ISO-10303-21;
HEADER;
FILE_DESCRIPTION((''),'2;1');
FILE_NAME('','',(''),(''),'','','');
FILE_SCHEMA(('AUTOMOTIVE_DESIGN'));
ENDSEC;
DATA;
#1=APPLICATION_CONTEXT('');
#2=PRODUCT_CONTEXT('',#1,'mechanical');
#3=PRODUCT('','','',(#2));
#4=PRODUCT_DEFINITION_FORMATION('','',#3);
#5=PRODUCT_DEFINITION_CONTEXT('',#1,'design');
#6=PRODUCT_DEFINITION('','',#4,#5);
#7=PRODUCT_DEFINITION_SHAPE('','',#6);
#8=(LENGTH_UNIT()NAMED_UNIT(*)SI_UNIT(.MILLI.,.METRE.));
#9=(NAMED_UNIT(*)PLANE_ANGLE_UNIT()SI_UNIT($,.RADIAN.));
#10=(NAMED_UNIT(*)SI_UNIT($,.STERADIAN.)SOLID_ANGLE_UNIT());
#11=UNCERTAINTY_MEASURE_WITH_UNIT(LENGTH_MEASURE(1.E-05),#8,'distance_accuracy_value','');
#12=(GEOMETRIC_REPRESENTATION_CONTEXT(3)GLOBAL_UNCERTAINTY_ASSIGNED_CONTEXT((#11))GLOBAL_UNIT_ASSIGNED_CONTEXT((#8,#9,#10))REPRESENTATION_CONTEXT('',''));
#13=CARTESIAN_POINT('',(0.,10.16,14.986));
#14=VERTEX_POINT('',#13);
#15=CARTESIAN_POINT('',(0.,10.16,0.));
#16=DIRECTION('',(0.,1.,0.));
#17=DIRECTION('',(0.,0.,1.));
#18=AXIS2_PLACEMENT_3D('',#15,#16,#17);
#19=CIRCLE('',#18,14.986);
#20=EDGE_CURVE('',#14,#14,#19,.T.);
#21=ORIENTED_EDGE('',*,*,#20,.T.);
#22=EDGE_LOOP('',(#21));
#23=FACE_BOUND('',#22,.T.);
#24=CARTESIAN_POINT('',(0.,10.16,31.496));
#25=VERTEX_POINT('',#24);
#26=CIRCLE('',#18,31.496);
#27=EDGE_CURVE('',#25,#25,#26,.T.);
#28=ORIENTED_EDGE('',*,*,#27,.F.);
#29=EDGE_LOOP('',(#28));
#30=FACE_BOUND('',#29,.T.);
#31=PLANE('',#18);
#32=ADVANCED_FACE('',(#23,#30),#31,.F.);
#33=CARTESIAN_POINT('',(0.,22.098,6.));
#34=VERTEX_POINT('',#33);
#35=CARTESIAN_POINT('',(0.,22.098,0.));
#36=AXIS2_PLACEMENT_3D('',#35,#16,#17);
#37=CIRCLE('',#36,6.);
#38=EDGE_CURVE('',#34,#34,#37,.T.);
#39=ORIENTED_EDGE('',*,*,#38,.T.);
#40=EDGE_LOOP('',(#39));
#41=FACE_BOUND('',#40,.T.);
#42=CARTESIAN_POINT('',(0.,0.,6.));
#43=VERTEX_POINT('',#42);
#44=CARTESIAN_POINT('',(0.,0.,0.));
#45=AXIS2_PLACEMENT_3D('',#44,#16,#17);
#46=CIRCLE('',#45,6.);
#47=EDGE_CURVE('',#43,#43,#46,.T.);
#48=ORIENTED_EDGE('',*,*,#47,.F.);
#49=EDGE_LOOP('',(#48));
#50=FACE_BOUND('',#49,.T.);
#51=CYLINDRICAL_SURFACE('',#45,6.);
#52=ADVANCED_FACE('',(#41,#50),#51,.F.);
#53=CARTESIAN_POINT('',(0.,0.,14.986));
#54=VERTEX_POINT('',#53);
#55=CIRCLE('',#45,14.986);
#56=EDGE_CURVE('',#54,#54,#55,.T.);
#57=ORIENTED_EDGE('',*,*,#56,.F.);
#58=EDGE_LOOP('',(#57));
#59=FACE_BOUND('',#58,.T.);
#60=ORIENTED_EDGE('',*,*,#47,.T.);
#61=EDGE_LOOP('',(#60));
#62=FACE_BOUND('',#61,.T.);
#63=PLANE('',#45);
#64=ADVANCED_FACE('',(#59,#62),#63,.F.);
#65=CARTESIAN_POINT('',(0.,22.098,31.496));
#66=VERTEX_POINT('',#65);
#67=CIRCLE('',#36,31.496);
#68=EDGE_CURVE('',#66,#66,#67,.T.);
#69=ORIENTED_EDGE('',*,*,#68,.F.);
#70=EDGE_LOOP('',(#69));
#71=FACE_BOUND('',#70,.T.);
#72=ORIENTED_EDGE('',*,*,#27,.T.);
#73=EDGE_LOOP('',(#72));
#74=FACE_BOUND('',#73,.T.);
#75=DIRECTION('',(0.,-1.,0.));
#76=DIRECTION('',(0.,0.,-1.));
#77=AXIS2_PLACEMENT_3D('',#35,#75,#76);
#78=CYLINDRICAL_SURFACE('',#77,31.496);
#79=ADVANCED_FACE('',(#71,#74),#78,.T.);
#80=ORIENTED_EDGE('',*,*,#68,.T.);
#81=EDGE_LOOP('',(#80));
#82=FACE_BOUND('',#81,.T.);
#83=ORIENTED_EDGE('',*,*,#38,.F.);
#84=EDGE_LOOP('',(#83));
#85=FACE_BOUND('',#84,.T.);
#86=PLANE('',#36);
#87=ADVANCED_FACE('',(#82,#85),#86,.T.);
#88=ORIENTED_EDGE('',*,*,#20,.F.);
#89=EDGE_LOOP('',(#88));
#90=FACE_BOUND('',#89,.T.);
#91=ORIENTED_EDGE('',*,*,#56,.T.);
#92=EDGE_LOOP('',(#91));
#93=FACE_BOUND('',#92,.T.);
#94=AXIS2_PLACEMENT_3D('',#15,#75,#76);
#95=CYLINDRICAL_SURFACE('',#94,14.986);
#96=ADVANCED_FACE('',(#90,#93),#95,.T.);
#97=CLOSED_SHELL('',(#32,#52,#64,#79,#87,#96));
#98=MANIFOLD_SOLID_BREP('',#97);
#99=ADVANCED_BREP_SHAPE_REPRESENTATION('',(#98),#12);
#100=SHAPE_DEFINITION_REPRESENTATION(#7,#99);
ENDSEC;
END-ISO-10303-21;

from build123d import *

# Parameters (mm, degrees)
SKETCH1_R          = 14.986
BASE_DEPTH         = 10.16
SKETCH2_R          = 31.496
GEAR_DEPTH         = 11.938
SKETCH3_R          = 6
CUT_EXTRUDE1_DEPTH = 50.722405774


with BuildPart() as part:
    # Sketch1 → Base (new body)
    with BuildSketch(Plane(origin=(0, 0, 0), x_dir=(1, 0, 0), z_dir=(0, 1, 0))):
        with Locations(Location((0, 0, 0), (0, 0, 270))):
            Circle(SKETCH1_R)
    extrude(amount=BASE_DEPTH)

    # Sketch2 → Gear (add)
    with BuildSketch(Plane(origin=(0, 10.16, 0), x_dir=(1, 0, 0), z_dir=(0, 1, 0))):
        with Locations(Location((0, 0, 0), (0, 0, 270))):
            Circle(SKETCH2_R)
    extrude(amount=GEAR_DEPTH)

    # Sketch3 → Cut-Extrude1 (cut, through all)
    with BuildSketch(Plane(origin=(0, 22.098, 0), x_dir=(1, 0, 0), z_dir=(0, 1, 0))):
        with Locations(Location((0, 0, 0), (0, 0, 270))):
            Circle(SKETCH3_R)
    extrude(amount=-CUT_EXTRUDE1_DEPTH, mode=Mode.SUBTRACT)


solid = part.part
